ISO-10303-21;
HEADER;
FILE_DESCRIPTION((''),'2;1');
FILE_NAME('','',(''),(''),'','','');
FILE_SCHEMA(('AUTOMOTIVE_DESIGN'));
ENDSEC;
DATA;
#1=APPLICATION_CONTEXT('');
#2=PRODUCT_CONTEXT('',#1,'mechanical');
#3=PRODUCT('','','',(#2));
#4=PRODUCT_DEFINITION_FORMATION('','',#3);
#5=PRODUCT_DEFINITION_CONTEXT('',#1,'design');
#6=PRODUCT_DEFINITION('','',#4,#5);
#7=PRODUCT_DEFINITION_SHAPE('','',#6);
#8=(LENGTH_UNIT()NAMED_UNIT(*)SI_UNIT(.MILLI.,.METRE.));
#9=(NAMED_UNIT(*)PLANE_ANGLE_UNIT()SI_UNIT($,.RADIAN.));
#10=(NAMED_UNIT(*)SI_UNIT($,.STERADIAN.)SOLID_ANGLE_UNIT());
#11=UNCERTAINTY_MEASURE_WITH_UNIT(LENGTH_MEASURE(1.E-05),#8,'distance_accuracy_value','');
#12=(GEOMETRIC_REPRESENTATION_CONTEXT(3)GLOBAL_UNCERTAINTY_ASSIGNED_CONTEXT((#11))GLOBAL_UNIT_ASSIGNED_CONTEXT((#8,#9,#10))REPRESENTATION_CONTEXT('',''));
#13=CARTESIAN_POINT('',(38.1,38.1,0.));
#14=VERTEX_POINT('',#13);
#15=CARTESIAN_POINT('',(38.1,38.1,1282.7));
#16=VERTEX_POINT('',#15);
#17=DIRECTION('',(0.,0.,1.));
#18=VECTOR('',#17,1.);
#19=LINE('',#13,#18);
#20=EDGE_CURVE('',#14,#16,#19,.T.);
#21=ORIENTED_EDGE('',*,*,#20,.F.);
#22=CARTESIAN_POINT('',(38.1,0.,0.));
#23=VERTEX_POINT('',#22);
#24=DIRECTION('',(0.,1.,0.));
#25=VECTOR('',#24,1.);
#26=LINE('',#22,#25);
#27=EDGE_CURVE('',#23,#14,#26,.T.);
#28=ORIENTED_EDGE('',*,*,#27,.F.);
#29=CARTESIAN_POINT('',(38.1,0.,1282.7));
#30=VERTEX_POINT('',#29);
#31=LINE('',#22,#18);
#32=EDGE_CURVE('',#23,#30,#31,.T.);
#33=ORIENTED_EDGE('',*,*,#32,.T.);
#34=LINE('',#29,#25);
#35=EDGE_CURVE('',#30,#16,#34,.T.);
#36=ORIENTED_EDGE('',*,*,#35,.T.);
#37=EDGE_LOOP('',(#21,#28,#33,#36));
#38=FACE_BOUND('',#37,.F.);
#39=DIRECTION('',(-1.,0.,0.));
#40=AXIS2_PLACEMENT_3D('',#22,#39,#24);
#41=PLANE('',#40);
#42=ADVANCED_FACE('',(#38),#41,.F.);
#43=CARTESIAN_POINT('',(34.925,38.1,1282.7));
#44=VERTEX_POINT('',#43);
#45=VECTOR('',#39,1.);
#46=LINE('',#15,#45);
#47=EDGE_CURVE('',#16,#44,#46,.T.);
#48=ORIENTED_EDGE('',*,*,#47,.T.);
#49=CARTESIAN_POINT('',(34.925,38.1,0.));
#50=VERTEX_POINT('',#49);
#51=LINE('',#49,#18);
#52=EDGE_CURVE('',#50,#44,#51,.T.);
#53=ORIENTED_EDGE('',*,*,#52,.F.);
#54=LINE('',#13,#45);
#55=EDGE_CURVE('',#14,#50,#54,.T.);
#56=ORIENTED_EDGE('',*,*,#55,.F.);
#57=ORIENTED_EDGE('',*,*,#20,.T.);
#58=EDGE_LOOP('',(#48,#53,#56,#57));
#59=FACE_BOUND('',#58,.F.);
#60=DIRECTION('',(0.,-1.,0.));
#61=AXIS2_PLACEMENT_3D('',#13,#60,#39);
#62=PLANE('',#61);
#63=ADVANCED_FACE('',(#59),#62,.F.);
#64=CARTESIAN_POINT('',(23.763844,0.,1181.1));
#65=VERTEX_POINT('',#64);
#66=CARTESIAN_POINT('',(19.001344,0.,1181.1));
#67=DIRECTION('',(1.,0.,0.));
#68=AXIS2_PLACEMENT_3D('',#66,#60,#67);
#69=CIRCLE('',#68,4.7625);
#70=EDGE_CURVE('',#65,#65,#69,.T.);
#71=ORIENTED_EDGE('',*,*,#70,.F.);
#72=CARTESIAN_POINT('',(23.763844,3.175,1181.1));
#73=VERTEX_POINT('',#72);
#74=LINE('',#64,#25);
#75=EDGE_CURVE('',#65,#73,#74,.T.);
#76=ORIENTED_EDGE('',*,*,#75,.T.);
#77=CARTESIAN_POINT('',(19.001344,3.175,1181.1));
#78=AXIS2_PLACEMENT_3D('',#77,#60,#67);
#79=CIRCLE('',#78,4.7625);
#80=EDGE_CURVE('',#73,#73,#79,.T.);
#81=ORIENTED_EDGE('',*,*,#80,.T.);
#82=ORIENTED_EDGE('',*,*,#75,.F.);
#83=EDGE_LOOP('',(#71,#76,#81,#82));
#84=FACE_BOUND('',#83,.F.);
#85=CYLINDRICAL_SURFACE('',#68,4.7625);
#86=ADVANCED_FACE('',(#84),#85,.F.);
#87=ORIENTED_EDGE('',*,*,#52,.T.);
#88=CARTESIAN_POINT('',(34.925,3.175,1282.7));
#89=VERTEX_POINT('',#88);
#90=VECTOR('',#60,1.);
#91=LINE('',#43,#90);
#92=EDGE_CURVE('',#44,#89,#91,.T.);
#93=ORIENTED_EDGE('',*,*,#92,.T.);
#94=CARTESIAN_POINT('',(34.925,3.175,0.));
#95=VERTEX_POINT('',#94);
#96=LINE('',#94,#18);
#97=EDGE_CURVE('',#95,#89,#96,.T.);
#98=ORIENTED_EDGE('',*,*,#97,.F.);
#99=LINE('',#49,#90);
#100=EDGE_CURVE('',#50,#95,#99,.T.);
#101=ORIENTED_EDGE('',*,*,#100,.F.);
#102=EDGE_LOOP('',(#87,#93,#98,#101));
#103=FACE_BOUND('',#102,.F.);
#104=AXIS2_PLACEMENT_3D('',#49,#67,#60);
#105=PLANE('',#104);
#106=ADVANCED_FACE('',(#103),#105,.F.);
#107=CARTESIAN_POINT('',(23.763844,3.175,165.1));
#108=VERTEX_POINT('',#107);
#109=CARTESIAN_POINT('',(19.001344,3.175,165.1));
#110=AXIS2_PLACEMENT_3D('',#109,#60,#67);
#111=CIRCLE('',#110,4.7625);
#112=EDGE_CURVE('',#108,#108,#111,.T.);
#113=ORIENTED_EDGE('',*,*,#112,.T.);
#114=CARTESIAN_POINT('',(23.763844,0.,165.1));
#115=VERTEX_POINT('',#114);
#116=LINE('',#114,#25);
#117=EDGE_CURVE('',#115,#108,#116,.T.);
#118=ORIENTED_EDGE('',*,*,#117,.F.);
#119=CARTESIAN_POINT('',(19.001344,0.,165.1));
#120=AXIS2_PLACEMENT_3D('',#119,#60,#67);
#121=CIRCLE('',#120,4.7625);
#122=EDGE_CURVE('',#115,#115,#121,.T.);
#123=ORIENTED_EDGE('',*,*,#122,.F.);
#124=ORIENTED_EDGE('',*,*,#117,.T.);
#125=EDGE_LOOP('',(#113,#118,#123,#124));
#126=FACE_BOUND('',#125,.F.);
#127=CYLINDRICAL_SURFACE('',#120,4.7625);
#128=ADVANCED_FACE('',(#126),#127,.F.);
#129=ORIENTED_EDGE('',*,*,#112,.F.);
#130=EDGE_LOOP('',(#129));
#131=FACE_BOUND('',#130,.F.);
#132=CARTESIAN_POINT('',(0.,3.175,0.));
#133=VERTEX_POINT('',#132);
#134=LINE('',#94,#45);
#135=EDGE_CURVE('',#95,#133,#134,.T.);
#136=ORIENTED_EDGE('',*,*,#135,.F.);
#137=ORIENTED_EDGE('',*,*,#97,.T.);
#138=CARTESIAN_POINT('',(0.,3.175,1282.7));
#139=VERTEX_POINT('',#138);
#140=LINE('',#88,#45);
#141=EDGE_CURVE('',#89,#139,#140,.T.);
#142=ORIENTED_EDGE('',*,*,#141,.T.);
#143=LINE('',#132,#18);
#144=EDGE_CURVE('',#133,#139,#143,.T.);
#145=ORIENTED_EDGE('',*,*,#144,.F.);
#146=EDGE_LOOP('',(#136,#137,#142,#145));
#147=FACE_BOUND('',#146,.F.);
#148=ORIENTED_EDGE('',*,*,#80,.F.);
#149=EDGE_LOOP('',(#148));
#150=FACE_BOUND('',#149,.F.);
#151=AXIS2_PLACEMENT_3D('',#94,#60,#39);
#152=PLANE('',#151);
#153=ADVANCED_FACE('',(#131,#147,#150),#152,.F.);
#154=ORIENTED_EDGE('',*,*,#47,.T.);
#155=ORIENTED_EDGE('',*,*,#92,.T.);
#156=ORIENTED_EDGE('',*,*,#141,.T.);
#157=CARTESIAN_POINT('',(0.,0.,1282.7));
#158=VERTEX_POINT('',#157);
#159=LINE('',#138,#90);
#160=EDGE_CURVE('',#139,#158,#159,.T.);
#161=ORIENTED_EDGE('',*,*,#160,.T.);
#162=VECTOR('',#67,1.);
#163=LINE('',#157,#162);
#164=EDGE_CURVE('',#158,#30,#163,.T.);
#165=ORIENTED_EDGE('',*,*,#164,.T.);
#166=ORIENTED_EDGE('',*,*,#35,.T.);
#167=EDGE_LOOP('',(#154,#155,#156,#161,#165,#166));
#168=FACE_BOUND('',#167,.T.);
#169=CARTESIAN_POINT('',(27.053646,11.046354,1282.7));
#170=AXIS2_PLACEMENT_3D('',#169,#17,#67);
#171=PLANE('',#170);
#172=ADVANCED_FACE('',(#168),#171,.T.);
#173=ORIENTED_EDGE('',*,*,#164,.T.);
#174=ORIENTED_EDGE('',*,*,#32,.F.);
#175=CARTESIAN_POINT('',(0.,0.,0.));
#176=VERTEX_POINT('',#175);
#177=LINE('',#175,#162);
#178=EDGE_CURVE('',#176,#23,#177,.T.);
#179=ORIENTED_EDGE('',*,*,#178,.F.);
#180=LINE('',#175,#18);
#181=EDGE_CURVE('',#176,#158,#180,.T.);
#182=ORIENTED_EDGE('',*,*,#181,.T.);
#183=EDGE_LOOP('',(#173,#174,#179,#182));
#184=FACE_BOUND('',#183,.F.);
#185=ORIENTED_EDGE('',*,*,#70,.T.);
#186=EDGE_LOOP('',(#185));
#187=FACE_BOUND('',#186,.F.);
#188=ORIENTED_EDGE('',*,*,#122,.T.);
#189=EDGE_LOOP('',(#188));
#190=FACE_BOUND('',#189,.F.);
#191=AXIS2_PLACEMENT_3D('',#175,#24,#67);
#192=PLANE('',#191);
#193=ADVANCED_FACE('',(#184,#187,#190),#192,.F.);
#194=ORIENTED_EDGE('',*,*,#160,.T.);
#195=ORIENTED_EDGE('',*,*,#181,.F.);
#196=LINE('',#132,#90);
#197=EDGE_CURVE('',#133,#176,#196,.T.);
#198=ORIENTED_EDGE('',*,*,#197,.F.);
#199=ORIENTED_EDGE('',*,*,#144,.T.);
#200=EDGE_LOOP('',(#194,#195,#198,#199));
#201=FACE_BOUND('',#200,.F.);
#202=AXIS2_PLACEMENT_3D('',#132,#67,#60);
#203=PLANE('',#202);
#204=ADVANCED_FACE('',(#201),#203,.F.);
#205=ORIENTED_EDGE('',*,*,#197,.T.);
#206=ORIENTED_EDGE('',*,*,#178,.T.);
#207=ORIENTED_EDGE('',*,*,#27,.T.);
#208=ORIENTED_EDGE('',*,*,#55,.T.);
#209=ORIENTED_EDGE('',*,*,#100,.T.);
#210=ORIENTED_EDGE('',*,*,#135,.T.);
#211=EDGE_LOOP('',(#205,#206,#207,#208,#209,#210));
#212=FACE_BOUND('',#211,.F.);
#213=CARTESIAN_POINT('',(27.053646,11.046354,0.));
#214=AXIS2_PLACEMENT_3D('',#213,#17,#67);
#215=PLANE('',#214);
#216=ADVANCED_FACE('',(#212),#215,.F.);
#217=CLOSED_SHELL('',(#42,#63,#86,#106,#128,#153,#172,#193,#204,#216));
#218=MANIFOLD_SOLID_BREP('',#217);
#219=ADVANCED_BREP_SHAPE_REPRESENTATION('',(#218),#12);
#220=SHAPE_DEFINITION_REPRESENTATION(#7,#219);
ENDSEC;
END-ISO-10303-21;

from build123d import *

# Parameters (mm, degrees)
F1_DEPTH = 1282.7
F2_R     = 4.7625
F3_DEPTH = 38.101


with BuildPart() as f1:
    # F0 (on Top) → F1 (new body)
    with BuildSketch(Plane.XY):
        Polygon((0, 3.175), (0, 0), (38.1, 0), (38.1, 38.1), (34.925, 38.1), (34.925, 3.175), align=None)
    extrude(amount=F1_DEPTH)

    # F2 (on face) → F3 (cut, through all)
    with BuildSketch(Plane.XZ):
        with Locations((19.001344, 1181.1)):
            Circle(F2_R)
        with Locations((19.001344, 165.1)):
            Circle(F2_R)
    extrude(amount=-F3_DEPTH, mode=Mode.SUBTRACT)


solid = f1.part
